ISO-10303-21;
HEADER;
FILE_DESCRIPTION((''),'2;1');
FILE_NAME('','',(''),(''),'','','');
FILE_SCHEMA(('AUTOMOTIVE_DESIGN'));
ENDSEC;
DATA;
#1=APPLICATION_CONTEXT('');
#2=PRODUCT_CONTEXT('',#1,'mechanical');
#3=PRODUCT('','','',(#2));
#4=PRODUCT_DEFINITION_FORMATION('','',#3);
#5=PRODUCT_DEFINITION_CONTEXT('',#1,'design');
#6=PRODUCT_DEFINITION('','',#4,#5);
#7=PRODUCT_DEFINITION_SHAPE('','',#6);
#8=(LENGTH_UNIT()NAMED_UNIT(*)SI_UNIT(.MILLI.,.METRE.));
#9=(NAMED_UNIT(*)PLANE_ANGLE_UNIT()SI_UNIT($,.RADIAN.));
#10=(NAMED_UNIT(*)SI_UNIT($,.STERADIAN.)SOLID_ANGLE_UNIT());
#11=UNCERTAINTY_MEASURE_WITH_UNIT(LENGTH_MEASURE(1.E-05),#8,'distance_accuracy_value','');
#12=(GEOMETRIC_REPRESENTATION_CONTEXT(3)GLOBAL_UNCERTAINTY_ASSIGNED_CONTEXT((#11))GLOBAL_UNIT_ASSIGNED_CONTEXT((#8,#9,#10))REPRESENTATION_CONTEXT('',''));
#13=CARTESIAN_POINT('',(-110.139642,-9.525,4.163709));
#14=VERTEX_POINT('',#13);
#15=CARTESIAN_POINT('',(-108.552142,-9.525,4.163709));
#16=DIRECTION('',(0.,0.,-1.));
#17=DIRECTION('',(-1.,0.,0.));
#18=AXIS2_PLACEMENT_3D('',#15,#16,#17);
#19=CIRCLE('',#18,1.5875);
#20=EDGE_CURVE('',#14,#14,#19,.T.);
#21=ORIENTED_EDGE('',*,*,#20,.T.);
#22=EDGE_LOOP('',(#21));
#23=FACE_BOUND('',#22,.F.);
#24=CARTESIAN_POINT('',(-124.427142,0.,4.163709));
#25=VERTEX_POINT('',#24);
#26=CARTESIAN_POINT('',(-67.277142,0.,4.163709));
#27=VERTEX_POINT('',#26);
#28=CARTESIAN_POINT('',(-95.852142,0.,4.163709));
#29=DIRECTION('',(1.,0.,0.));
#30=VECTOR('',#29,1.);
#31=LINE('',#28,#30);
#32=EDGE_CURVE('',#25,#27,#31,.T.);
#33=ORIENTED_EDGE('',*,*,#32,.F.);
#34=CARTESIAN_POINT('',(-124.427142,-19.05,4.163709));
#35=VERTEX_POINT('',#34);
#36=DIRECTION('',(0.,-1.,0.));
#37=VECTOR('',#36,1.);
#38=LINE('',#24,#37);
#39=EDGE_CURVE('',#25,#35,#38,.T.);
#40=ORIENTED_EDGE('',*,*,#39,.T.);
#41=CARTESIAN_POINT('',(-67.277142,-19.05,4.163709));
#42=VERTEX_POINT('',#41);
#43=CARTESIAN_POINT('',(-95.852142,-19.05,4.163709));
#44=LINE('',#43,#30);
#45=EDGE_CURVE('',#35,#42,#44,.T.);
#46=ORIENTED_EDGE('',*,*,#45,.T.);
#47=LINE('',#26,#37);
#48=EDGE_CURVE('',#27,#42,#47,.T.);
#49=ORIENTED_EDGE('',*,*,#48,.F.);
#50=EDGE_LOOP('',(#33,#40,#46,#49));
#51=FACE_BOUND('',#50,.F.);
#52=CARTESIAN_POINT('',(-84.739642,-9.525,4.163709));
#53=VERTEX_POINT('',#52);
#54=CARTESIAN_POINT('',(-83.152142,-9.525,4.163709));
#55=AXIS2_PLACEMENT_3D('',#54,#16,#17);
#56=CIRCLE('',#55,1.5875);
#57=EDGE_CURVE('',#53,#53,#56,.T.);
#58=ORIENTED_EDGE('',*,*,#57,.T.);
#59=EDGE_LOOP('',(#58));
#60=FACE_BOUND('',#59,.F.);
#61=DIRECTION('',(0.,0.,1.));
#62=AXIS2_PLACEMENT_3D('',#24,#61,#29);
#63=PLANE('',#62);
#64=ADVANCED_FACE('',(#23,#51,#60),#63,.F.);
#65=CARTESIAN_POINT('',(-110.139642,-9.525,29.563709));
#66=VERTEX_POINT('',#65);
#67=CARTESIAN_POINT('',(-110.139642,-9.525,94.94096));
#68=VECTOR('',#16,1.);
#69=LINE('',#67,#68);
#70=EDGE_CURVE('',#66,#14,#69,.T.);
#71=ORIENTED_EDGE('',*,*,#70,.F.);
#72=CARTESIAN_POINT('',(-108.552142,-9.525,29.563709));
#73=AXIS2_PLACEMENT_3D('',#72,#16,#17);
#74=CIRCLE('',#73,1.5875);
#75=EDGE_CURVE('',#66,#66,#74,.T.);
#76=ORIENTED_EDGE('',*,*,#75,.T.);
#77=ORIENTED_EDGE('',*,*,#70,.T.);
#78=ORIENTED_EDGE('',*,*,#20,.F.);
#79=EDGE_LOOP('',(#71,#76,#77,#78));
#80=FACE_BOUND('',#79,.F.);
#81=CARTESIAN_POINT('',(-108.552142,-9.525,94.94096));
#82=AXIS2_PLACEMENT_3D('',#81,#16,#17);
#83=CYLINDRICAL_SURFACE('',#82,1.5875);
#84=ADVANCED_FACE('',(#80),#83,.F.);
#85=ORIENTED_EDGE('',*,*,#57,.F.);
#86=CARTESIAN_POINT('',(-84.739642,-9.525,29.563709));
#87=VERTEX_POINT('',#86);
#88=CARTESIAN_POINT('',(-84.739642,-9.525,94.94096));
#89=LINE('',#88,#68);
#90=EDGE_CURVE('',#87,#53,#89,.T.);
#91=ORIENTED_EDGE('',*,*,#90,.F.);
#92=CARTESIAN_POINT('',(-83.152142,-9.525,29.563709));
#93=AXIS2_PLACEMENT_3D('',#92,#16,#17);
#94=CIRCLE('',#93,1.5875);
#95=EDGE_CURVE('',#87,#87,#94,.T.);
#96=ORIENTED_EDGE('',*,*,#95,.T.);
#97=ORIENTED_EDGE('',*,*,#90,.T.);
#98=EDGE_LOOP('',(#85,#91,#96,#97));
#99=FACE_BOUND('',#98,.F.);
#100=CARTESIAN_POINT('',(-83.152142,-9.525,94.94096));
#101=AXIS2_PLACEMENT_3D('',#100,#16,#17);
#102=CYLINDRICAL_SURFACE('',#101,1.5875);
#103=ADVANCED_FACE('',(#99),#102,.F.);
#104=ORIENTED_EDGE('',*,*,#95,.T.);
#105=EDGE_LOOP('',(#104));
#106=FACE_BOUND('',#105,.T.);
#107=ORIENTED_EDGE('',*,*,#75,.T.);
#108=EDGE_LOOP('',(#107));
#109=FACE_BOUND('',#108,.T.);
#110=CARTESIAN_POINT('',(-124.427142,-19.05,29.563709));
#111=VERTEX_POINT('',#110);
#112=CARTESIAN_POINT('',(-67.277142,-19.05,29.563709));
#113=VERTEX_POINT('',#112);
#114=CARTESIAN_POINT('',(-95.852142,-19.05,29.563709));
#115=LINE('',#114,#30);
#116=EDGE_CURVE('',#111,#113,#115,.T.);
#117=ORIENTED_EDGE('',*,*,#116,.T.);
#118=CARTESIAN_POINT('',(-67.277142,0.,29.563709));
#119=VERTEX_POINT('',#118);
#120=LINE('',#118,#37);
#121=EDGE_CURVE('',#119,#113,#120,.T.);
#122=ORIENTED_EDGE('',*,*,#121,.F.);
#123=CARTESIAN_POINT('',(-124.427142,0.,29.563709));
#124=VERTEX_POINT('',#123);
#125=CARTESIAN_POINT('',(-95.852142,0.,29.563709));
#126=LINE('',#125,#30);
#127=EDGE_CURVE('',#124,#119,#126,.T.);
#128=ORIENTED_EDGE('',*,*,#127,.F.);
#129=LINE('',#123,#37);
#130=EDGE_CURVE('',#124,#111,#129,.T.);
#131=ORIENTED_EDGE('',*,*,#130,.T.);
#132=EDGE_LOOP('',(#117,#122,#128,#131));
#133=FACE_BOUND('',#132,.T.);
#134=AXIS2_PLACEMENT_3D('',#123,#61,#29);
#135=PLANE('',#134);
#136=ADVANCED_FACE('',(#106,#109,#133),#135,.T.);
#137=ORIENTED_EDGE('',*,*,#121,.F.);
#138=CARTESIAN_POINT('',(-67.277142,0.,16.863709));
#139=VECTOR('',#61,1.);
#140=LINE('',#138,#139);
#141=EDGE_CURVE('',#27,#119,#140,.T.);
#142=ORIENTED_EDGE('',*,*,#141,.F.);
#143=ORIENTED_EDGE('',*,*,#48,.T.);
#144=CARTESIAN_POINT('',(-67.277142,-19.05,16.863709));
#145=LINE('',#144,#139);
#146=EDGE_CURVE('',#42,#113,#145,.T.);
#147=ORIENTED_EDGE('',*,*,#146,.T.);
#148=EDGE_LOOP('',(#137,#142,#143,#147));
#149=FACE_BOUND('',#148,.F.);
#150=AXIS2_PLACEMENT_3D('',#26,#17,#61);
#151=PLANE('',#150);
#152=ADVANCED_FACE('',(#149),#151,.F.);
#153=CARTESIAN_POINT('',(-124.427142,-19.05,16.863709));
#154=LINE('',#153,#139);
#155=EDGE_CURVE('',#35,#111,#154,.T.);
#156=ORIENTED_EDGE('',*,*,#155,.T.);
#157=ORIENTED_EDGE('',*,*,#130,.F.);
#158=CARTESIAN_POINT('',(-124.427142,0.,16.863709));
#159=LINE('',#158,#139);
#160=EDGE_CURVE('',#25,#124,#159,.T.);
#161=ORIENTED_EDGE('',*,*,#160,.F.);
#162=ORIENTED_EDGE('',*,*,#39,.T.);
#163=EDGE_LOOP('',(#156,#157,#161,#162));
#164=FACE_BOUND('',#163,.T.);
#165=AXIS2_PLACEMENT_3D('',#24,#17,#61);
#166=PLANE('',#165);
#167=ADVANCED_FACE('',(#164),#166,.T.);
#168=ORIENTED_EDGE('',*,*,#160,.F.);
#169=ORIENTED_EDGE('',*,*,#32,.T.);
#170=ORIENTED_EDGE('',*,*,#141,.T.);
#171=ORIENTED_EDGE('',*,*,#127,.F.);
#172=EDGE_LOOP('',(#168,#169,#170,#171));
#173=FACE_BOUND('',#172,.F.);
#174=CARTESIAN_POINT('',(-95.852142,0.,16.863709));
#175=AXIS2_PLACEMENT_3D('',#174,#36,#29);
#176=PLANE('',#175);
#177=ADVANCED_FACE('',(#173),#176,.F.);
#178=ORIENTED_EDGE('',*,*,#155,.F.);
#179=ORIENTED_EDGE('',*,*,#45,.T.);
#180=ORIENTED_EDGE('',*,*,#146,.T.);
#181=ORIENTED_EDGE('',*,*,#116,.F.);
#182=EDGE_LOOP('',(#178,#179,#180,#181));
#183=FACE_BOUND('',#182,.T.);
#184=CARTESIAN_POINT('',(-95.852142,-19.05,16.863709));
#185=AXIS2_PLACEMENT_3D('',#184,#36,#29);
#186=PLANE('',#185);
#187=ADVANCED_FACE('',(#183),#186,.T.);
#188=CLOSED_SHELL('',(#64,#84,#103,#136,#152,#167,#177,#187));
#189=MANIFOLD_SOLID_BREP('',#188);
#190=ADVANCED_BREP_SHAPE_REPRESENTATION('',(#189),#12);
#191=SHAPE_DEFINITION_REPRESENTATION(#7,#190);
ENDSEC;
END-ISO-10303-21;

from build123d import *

# Parameters (mm, degrees)
F0_W     = 57.15
F0_H     = 25.4
F1_DEPTH = 19.05
F3_D     = 3.175


with BuildPart() as f1:
    # F0 (on Front) → F1 (new body)
    with BuildSketch(Plane.XZ):
        with Locations((-95.852142, 16.863709)):
            Rectangle(F0_W, F0_H)
    extrude(amount=F1_DEPTH)

    # F3 (through all)
    with Locations(Plane.XY.offset(29.563709)):
        with Locations((-108.552142, -9.525), (-83.152142, -9.525)):
            Hole(F3_D / 2)


solid = f1.part
